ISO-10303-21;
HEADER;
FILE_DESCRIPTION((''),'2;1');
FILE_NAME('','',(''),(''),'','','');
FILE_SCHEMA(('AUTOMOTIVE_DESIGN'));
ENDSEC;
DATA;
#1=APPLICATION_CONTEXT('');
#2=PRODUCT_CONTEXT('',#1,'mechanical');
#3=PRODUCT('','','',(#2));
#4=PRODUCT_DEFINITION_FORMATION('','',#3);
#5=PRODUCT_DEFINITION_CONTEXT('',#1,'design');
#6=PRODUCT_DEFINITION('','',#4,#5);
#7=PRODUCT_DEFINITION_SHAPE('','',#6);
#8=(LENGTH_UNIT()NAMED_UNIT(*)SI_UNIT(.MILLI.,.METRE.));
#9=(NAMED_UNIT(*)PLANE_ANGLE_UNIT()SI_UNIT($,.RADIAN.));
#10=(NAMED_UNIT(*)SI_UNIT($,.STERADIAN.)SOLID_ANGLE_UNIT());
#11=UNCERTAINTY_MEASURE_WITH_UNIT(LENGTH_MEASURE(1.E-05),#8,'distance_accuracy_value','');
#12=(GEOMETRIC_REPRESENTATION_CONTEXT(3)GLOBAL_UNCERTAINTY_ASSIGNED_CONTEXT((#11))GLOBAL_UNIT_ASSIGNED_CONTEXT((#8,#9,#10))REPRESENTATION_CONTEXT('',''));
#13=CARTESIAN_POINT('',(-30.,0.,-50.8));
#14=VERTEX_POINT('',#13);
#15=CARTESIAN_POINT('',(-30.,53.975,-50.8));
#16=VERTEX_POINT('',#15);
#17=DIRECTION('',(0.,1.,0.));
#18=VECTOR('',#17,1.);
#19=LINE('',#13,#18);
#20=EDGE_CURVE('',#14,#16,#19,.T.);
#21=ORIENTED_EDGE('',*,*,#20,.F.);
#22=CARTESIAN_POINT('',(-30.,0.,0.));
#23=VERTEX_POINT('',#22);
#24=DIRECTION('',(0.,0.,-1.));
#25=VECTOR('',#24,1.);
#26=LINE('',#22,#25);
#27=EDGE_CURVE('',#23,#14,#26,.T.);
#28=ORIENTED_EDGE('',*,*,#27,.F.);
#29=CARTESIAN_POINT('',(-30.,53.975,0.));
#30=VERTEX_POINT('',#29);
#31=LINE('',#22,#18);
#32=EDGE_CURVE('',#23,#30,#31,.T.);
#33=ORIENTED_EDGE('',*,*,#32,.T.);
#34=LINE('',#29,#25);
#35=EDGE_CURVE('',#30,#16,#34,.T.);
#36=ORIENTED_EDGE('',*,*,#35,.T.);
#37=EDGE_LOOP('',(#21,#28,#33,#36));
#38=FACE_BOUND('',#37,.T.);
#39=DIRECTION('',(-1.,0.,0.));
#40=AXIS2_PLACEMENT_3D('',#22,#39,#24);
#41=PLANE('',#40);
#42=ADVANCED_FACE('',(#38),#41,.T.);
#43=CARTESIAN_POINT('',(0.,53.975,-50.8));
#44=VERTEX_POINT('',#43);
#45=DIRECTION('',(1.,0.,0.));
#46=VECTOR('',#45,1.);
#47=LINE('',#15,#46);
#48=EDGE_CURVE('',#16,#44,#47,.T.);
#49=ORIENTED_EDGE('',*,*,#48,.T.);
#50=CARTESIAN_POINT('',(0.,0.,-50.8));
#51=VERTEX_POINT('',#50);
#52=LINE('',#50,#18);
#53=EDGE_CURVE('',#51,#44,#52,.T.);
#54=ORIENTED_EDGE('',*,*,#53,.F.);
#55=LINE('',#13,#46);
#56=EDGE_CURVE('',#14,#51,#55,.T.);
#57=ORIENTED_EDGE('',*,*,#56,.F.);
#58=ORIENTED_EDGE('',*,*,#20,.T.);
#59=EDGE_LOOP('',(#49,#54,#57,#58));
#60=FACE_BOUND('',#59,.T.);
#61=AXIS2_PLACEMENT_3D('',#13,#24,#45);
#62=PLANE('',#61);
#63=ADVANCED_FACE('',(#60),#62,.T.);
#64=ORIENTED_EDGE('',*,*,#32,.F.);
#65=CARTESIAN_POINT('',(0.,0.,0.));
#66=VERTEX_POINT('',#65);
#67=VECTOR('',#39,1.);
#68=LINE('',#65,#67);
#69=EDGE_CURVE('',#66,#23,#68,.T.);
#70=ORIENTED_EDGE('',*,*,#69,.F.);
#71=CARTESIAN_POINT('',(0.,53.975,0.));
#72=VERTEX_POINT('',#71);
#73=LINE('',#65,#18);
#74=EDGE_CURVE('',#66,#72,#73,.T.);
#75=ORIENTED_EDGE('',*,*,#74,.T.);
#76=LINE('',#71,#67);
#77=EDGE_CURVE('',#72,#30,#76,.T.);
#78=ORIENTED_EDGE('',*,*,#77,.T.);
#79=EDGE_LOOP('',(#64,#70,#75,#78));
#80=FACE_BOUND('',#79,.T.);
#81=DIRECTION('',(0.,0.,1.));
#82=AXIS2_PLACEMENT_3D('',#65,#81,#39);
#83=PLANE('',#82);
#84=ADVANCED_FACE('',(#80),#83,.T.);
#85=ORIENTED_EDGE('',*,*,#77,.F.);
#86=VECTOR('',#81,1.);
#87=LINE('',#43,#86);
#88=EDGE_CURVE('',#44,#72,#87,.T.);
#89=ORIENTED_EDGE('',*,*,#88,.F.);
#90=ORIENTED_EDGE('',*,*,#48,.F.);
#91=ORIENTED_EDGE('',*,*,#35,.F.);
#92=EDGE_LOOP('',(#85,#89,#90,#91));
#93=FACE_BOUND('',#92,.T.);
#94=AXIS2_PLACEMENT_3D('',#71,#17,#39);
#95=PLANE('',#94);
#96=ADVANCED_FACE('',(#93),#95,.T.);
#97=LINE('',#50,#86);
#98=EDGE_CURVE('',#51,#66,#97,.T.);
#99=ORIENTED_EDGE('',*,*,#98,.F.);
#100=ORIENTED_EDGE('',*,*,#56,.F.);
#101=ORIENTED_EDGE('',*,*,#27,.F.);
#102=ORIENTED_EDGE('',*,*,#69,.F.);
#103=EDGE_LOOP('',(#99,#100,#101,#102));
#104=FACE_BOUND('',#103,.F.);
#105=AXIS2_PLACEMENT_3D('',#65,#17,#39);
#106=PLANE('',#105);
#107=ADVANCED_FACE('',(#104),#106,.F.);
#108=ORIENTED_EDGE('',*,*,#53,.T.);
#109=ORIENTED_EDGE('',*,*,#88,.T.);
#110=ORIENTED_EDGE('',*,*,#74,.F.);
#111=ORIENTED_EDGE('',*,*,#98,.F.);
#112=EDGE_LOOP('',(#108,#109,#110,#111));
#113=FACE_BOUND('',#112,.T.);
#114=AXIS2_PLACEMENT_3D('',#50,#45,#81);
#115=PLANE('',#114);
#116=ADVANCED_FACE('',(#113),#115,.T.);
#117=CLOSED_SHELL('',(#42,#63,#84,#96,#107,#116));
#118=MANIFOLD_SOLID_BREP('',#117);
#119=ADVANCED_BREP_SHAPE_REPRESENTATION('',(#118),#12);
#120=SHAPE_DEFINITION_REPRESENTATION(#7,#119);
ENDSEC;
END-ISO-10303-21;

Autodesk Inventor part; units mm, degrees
ref_plane "YZ Plane" through (0, 0, 0) normal (1, 0, 0) x (0, 1, 0)
ref_plane "XZ Plane" through (0, 0, 0) normal (0, 1, 0) x (-1, 0, 0)
ref_plane "XY Plane" through (0, 0, 0) normal (0, 0, 1) x (1, 0, 0)
sketch "Sketch1" plane through (0, 0, 0) normal (0, 1, 0) x (-1, 0, 0)
  line L0 (0, 0) -> (30, 0)
  line L1 (30, 0) -> (30, -50.8)
  line L2 (30, -50.8) -> (0, -50.8)
  line L3 (0, -50.8) -> (0, 0)
  dimension "d0" = 30
  dimension "d1" = 50.8
extrude "Extrusion1" add sketch "Sketch1" along normal blind 53.975
properties part number "5vTerminal"
